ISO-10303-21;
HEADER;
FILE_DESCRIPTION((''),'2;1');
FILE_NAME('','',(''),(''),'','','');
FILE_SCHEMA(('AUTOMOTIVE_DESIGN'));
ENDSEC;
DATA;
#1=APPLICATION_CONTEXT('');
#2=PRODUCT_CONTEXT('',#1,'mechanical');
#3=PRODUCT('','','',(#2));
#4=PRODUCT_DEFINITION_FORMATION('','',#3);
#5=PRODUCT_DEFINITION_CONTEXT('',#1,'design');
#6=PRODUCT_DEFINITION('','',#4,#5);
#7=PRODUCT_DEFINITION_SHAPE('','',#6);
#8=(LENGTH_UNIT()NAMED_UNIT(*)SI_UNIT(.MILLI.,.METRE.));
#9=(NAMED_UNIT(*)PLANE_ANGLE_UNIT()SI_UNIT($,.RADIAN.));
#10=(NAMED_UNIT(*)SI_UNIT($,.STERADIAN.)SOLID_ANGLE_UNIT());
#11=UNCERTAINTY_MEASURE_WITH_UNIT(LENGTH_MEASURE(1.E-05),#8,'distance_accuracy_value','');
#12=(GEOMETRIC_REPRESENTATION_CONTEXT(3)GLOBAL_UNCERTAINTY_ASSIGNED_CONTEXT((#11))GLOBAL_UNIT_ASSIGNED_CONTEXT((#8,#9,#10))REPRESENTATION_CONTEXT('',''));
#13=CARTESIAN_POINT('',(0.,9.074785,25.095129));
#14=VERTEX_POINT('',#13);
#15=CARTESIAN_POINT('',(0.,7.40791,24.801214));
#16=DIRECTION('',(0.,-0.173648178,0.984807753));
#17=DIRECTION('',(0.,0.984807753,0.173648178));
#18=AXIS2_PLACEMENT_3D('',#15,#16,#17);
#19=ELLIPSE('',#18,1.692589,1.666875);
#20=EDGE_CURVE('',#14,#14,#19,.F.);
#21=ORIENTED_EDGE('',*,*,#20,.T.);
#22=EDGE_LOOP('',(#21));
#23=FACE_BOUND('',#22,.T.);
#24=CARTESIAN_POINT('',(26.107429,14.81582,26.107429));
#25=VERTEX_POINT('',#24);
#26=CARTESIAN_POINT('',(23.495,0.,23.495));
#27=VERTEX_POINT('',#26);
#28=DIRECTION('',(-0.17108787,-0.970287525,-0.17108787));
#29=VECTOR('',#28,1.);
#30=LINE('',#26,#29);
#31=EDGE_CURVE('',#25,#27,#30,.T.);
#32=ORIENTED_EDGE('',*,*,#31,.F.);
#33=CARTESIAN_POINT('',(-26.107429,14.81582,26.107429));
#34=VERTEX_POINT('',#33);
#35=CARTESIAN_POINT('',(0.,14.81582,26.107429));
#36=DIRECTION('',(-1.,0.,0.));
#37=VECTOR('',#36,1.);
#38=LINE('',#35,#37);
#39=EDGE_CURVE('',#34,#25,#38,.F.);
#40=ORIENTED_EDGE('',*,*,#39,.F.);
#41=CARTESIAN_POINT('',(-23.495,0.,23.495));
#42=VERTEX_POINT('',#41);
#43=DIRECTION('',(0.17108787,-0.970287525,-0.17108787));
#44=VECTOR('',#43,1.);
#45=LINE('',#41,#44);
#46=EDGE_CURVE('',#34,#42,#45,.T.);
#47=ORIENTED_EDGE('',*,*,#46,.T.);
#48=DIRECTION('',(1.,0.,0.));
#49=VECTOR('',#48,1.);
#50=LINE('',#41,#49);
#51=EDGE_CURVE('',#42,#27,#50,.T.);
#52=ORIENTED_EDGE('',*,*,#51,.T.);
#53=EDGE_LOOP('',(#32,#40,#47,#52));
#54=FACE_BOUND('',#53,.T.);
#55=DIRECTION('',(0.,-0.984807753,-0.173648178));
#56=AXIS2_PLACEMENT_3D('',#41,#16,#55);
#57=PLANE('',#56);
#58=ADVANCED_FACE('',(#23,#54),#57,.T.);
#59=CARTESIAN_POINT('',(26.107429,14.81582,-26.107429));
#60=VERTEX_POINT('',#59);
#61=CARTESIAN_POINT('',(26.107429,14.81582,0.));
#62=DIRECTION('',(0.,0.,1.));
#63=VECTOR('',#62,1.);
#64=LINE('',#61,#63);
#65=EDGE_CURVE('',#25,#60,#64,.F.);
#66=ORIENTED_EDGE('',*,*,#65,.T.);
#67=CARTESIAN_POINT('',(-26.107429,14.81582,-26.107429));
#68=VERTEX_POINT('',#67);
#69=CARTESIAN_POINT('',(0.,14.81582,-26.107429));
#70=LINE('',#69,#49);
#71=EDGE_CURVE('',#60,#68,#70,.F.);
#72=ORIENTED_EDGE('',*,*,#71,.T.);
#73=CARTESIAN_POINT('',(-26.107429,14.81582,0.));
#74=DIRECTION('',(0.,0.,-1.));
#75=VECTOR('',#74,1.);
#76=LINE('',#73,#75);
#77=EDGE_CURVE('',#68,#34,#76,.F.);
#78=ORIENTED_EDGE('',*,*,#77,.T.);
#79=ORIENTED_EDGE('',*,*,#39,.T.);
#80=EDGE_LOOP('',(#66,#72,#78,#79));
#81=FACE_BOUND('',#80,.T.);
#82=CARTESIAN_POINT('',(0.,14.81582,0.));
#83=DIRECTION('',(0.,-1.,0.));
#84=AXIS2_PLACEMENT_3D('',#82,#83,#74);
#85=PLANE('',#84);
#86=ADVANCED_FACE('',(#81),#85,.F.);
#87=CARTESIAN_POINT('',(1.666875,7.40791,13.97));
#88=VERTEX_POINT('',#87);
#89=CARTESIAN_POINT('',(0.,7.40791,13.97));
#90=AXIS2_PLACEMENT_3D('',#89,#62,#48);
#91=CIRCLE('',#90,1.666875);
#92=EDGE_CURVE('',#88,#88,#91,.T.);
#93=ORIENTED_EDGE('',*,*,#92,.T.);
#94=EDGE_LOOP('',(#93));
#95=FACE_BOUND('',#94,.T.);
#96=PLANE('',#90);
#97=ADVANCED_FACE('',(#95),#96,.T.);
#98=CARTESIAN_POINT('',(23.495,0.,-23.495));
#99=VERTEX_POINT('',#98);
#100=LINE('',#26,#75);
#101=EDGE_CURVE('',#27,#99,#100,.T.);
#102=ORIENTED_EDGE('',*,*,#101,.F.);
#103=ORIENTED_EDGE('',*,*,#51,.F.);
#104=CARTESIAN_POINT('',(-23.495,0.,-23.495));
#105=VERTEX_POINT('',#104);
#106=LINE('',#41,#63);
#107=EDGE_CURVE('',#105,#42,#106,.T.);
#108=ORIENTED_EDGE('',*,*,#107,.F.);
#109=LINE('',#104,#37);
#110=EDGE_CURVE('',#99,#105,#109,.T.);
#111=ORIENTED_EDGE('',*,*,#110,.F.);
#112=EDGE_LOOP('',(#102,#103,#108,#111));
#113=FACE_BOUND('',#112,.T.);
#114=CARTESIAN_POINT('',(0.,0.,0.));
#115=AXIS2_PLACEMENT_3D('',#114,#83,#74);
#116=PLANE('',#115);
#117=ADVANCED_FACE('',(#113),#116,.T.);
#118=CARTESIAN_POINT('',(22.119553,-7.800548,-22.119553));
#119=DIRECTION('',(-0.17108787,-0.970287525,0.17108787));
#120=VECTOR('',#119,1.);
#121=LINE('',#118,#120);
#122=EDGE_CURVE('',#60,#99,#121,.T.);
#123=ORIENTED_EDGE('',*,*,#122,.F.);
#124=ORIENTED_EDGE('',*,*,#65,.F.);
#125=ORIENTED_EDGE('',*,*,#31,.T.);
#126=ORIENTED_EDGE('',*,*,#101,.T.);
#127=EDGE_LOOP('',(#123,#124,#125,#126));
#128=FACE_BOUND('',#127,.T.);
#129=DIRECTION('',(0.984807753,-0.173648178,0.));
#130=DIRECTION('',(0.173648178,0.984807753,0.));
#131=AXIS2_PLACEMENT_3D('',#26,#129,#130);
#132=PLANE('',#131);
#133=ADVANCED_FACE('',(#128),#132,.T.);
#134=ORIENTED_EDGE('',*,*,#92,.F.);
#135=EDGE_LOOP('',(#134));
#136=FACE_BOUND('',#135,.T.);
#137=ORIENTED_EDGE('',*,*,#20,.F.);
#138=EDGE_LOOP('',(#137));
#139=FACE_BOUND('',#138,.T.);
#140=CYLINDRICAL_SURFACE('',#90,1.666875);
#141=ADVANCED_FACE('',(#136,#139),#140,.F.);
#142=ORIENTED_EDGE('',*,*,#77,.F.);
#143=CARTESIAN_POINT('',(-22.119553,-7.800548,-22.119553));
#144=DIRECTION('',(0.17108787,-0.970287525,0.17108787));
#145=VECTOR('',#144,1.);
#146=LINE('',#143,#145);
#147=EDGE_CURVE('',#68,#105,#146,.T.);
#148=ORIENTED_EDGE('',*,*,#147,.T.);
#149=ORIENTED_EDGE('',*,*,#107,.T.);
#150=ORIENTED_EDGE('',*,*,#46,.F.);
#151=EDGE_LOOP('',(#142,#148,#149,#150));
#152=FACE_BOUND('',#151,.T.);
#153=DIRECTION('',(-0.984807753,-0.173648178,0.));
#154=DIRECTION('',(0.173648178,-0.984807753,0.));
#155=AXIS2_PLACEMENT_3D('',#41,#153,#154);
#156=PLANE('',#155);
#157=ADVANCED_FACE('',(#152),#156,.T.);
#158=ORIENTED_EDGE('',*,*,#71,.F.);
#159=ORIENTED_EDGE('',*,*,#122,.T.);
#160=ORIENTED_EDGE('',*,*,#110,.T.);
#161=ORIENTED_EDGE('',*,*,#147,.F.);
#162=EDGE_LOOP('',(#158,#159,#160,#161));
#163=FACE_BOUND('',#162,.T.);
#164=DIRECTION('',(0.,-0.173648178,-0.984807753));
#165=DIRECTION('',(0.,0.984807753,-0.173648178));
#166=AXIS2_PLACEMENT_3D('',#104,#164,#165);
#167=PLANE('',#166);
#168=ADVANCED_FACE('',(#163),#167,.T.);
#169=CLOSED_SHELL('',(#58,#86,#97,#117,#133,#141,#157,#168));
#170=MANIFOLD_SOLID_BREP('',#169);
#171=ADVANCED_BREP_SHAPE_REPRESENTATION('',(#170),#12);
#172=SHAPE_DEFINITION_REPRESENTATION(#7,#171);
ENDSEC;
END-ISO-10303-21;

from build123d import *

# Parameters (mm, degrees)
ESQUISSE1_W             = 46.99
ESQUISSE1_H             = 46.99
BOSS_EXTRU_1_DEPTH      = 14.81582
BOSS_EXTRU_1_DRAFT      = -10
ESQUISSE4_R             = 1.666875
ENL_V_MAT_EXTRU_1_DEPTH = 12.7


with BuildPart() as part:
    # Esquisse1 → Boss.-Extru.1 (with draft: the straight prism first)
    with BuildSketch(Plane(origin=(0, 0, 0), x_dir=(1, 0, 0), z_dir=(0, 1, 0))):
        Rectangle(ESQUISSE1_W, ESQUISSE1_H)
    extrude(amount=BOSS_EXTRU_1_DEPTH)
    # Boss.-Extru.1: the draft: its side faces are tilted about the plane it starts from
    boss_extru_1_sides = [part.faces().sort_by_distance(p)[0] for p in [
        (0, 7.40791, 23.495),
        (23.495, 7.40791, 0),
        (0, 7.40791, -23.495),
        (-23.495, 7.40791, 0),
    ]]
    draft(boss_extru_1_sides, Plane(origin=(0, 0, 0), x_dir=(1, 0, 0), z_dir=(0, 1, 0)), BOSS_EXTRU_1_DRAFT)

    # Esquisse4 → Enlèv. mat.-Extru.1 (cut)
    with BuildSketch(Plane.XY.offset(26.67)):
        with Locations((0, 7.40791)):
            Circle(ESQUISSE4_R)
    extrude(amount=-ENL_V_MAT_EXTRU_1_DEPTH, mode=Mode.SUBTRACT)


solid = part.part
